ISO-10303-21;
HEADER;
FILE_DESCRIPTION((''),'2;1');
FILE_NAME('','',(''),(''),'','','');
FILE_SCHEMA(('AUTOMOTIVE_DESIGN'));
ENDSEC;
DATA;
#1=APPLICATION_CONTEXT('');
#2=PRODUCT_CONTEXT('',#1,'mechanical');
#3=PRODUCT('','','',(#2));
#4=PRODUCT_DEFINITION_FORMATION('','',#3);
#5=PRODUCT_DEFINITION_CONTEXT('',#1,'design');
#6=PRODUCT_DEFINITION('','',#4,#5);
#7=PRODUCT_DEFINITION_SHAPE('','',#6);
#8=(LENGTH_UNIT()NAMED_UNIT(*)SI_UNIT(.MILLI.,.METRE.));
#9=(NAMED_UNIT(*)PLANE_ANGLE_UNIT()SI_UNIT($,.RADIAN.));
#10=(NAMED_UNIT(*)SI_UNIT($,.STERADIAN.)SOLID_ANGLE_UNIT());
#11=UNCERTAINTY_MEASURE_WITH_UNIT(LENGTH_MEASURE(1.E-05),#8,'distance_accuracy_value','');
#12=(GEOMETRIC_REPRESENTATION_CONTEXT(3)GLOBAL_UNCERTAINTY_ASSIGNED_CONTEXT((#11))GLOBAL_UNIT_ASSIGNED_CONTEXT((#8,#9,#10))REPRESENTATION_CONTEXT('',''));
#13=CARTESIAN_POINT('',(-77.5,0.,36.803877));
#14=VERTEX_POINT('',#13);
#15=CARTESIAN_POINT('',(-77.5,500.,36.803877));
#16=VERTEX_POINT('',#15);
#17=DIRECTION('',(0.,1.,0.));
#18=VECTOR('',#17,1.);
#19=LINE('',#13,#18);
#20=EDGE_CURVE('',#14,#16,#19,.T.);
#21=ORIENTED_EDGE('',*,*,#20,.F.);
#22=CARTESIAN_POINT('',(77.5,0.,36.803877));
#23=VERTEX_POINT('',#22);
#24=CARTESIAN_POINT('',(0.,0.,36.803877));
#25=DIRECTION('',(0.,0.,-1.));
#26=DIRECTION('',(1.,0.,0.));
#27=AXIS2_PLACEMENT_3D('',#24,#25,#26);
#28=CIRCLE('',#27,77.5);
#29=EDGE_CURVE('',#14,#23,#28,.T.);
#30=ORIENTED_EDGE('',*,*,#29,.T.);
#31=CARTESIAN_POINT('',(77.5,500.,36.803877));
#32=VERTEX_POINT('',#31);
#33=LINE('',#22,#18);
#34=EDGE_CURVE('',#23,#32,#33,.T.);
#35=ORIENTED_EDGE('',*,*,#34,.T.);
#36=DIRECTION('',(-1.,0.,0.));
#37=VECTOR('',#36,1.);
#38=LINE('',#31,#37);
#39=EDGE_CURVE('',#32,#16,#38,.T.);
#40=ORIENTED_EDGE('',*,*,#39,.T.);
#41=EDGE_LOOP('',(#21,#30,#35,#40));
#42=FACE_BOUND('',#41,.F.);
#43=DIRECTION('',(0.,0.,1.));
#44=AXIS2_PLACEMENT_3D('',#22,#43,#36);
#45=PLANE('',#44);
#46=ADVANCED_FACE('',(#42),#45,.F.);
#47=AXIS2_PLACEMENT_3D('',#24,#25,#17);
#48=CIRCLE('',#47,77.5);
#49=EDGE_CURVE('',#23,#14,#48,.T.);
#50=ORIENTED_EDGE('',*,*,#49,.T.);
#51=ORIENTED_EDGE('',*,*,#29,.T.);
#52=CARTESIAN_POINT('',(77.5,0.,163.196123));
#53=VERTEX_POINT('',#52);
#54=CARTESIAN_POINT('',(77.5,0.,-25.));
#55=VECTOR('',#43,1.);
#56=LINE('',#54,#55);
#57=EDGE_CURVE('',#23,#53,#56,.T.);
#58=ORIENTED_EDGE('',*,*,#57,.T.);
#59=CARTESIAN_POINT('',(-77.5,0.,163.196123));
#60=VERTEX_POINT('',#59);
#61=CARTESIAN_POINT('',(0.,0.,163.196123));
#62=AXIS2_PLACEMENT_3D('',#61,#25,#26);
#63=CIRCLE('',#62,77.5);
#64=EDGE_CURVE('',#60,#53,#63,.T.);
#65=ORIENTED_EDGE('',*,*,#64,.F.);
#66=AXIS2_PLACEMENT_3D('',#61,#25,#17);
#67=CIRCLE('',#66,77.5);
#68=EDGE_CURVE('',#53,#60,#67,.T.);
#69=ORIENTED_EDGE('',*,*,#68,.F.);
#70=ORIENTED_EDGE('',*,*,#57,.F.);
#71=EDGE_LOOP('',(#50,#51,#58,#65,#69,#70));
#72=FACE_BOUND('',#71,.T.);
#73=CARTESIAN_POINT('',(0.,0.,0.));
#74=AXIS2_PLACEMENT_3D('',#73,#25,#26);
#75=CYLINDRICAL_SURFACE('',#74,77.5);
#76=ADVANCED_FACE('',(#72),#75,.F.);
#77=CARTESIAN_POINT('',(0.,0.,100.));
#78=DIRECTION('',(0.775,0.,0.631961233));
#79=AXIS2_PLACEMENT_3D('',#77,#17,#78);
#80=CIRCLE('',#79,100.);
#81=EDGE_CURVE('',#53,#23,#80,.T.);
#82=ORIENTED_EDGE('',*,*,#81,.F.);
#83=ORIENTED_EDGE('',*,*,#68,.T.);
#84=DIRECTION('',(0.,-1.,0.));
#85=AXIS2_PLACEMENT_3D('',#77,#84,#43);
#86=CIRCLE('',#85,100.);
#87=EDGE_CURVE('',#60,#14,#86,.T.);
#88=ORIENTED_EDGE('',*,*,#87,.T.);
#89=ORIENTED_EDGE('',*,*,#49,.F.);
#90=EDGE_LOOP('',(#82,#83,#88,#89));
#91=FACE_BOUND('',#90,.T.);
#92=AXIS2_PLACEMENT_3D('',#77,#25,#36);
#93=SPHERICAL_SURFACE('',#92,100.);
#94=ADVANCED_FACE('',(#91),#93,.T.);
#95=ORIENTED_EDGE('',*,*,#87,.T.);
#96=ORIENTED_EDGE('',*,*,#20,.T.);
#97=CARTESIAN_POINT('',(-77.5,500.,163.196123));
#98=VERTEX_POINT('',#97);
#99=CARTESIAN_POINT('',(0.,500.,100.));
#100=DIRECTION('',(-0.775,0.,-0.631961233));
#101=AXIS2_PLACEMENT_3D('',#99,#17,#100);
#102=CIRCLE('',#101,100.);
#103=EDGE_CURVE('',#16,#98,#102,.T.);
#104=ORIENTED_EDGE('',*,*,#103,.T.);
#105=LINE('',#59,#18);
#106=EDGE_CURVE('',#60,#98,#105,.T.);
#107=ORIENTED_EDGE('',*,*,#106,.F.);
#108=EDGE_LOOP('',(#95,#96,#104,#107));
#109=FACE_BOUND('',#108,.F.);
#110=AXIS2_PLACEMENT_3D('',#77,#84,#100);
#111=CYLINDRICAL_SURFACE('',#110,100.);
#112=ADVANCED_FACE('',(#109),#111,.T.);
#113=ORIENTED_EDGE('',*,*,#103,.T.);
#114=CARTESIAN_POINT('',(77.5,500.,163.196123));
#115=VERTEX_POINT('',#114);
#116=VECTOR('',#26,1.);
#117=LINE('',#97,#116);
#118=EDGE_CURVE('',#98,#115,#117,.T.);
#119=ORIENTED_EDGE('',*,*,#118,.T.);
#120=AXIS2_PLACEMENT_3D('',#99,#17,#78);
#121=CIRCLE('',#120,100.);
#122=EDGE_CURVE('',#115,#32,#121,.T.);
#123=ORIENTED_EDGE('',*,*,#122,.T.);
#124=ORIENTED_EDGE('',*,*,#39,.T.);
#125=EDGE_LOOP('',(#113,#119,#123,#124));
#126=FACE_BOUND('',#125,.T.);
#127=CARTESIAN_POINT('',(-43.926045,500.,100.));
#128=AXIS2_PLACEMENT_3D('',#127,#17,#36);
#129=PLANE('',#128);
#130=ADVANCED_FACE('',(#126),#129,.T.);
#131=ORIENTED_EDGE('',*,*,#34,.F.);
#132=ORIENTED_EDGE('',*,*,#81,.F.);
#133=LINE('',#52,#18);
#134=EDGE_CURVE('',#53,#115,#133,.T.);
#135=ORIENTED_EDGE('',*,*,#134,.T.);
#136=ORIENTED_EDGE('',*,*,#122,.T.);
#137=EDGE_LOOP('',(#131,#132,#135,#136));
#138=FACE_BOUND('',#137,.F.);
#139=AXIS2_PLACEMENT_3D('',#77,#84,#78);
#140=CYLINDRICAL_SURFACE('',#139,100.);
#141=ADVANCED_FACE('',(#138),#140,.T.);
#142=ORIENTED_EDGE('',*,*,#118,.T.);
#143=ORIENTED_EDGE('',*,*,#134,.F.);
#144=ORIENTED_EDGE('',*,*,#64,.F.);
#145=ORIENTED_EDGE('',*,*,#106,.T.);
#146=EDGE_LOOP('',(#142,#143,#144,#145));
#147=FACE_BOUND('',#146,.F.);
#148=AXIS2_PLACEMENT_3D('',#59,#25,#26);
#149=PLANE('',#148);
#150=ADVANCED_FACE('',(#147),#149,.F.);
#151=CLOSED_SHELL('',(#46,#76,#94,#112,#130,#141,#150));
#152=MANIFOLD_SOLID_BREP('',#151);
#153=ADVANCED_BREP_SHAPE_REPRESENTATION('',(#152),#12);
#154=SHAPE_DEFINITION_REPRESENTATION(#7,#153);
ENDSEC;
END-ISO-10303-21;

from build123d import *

# Parameters (mm, degrees)
F3_R     = 77.5
F4_DEPTH = 225.001
F7_DEPTH = 500
F8_R     = 77.5
F9_DEPTH = 163.1971232988


with BuildPart() as f1:
    # F0 (on Front) → F1 (revolve)
    with BuildSketch(Plane.XZ):
        with BuildLine():
            Line((0, 0), (0, 200))
            ThreePointArc((0, 200), (-100, 100), (0, 0))
        make_face()
    revolve(axis=Axis((0, 0, 100), (0, 0, -1)))

    # F3 (on offset) → F4 (cut, through all)
    with BuildSketch(Plane.XY.offset(-25)):
        Circle(F3_R)
    extrude(amount=F4_DEPTH, mode=Mode.SUBTRACT)

    # F6 (on face) → F7 (join)
    with BuildSketch(Plane(origin=(0, 0, 0), x_dir=(-1, 0, 0), z_dir=(0, 1, 0))):
        with BuildLine():
            ThreePointArc((77.5, 36.8038767012), (100, 100), (77.5, 163.1961232988))
            Line((77.5, 163.1961232988), (0, 163.1961232988))
            Line((0, 163.1961232988), (0, 36.8038767012))
            Line((0, 36.8038767012), (77.5, 36.8038767012))
        make_face()
        with BuildLine():
            Line((0, 36.8038767012), (0, 163.1961232988))
            Line((0, 163.1961232988), (-77.5, 163.1961232988))
            ThreePointArc((-77.5, 163.1961232988), (-100, 100), (-77.5, 36.8038767012))
            Line((-77.5, 36.8038767012), (0, 36.8038767012))
        make_face()
    extrude(amount=F7_DEPTH)

    # F8 (on Top) → F9 (cut, through all)
    with BuildSketch(Plane.XY):
        Circle(F8_R)
    extrude(amount=F9_DEPTH, mode=Mode.SUBTRACT)


solid = f1.part
